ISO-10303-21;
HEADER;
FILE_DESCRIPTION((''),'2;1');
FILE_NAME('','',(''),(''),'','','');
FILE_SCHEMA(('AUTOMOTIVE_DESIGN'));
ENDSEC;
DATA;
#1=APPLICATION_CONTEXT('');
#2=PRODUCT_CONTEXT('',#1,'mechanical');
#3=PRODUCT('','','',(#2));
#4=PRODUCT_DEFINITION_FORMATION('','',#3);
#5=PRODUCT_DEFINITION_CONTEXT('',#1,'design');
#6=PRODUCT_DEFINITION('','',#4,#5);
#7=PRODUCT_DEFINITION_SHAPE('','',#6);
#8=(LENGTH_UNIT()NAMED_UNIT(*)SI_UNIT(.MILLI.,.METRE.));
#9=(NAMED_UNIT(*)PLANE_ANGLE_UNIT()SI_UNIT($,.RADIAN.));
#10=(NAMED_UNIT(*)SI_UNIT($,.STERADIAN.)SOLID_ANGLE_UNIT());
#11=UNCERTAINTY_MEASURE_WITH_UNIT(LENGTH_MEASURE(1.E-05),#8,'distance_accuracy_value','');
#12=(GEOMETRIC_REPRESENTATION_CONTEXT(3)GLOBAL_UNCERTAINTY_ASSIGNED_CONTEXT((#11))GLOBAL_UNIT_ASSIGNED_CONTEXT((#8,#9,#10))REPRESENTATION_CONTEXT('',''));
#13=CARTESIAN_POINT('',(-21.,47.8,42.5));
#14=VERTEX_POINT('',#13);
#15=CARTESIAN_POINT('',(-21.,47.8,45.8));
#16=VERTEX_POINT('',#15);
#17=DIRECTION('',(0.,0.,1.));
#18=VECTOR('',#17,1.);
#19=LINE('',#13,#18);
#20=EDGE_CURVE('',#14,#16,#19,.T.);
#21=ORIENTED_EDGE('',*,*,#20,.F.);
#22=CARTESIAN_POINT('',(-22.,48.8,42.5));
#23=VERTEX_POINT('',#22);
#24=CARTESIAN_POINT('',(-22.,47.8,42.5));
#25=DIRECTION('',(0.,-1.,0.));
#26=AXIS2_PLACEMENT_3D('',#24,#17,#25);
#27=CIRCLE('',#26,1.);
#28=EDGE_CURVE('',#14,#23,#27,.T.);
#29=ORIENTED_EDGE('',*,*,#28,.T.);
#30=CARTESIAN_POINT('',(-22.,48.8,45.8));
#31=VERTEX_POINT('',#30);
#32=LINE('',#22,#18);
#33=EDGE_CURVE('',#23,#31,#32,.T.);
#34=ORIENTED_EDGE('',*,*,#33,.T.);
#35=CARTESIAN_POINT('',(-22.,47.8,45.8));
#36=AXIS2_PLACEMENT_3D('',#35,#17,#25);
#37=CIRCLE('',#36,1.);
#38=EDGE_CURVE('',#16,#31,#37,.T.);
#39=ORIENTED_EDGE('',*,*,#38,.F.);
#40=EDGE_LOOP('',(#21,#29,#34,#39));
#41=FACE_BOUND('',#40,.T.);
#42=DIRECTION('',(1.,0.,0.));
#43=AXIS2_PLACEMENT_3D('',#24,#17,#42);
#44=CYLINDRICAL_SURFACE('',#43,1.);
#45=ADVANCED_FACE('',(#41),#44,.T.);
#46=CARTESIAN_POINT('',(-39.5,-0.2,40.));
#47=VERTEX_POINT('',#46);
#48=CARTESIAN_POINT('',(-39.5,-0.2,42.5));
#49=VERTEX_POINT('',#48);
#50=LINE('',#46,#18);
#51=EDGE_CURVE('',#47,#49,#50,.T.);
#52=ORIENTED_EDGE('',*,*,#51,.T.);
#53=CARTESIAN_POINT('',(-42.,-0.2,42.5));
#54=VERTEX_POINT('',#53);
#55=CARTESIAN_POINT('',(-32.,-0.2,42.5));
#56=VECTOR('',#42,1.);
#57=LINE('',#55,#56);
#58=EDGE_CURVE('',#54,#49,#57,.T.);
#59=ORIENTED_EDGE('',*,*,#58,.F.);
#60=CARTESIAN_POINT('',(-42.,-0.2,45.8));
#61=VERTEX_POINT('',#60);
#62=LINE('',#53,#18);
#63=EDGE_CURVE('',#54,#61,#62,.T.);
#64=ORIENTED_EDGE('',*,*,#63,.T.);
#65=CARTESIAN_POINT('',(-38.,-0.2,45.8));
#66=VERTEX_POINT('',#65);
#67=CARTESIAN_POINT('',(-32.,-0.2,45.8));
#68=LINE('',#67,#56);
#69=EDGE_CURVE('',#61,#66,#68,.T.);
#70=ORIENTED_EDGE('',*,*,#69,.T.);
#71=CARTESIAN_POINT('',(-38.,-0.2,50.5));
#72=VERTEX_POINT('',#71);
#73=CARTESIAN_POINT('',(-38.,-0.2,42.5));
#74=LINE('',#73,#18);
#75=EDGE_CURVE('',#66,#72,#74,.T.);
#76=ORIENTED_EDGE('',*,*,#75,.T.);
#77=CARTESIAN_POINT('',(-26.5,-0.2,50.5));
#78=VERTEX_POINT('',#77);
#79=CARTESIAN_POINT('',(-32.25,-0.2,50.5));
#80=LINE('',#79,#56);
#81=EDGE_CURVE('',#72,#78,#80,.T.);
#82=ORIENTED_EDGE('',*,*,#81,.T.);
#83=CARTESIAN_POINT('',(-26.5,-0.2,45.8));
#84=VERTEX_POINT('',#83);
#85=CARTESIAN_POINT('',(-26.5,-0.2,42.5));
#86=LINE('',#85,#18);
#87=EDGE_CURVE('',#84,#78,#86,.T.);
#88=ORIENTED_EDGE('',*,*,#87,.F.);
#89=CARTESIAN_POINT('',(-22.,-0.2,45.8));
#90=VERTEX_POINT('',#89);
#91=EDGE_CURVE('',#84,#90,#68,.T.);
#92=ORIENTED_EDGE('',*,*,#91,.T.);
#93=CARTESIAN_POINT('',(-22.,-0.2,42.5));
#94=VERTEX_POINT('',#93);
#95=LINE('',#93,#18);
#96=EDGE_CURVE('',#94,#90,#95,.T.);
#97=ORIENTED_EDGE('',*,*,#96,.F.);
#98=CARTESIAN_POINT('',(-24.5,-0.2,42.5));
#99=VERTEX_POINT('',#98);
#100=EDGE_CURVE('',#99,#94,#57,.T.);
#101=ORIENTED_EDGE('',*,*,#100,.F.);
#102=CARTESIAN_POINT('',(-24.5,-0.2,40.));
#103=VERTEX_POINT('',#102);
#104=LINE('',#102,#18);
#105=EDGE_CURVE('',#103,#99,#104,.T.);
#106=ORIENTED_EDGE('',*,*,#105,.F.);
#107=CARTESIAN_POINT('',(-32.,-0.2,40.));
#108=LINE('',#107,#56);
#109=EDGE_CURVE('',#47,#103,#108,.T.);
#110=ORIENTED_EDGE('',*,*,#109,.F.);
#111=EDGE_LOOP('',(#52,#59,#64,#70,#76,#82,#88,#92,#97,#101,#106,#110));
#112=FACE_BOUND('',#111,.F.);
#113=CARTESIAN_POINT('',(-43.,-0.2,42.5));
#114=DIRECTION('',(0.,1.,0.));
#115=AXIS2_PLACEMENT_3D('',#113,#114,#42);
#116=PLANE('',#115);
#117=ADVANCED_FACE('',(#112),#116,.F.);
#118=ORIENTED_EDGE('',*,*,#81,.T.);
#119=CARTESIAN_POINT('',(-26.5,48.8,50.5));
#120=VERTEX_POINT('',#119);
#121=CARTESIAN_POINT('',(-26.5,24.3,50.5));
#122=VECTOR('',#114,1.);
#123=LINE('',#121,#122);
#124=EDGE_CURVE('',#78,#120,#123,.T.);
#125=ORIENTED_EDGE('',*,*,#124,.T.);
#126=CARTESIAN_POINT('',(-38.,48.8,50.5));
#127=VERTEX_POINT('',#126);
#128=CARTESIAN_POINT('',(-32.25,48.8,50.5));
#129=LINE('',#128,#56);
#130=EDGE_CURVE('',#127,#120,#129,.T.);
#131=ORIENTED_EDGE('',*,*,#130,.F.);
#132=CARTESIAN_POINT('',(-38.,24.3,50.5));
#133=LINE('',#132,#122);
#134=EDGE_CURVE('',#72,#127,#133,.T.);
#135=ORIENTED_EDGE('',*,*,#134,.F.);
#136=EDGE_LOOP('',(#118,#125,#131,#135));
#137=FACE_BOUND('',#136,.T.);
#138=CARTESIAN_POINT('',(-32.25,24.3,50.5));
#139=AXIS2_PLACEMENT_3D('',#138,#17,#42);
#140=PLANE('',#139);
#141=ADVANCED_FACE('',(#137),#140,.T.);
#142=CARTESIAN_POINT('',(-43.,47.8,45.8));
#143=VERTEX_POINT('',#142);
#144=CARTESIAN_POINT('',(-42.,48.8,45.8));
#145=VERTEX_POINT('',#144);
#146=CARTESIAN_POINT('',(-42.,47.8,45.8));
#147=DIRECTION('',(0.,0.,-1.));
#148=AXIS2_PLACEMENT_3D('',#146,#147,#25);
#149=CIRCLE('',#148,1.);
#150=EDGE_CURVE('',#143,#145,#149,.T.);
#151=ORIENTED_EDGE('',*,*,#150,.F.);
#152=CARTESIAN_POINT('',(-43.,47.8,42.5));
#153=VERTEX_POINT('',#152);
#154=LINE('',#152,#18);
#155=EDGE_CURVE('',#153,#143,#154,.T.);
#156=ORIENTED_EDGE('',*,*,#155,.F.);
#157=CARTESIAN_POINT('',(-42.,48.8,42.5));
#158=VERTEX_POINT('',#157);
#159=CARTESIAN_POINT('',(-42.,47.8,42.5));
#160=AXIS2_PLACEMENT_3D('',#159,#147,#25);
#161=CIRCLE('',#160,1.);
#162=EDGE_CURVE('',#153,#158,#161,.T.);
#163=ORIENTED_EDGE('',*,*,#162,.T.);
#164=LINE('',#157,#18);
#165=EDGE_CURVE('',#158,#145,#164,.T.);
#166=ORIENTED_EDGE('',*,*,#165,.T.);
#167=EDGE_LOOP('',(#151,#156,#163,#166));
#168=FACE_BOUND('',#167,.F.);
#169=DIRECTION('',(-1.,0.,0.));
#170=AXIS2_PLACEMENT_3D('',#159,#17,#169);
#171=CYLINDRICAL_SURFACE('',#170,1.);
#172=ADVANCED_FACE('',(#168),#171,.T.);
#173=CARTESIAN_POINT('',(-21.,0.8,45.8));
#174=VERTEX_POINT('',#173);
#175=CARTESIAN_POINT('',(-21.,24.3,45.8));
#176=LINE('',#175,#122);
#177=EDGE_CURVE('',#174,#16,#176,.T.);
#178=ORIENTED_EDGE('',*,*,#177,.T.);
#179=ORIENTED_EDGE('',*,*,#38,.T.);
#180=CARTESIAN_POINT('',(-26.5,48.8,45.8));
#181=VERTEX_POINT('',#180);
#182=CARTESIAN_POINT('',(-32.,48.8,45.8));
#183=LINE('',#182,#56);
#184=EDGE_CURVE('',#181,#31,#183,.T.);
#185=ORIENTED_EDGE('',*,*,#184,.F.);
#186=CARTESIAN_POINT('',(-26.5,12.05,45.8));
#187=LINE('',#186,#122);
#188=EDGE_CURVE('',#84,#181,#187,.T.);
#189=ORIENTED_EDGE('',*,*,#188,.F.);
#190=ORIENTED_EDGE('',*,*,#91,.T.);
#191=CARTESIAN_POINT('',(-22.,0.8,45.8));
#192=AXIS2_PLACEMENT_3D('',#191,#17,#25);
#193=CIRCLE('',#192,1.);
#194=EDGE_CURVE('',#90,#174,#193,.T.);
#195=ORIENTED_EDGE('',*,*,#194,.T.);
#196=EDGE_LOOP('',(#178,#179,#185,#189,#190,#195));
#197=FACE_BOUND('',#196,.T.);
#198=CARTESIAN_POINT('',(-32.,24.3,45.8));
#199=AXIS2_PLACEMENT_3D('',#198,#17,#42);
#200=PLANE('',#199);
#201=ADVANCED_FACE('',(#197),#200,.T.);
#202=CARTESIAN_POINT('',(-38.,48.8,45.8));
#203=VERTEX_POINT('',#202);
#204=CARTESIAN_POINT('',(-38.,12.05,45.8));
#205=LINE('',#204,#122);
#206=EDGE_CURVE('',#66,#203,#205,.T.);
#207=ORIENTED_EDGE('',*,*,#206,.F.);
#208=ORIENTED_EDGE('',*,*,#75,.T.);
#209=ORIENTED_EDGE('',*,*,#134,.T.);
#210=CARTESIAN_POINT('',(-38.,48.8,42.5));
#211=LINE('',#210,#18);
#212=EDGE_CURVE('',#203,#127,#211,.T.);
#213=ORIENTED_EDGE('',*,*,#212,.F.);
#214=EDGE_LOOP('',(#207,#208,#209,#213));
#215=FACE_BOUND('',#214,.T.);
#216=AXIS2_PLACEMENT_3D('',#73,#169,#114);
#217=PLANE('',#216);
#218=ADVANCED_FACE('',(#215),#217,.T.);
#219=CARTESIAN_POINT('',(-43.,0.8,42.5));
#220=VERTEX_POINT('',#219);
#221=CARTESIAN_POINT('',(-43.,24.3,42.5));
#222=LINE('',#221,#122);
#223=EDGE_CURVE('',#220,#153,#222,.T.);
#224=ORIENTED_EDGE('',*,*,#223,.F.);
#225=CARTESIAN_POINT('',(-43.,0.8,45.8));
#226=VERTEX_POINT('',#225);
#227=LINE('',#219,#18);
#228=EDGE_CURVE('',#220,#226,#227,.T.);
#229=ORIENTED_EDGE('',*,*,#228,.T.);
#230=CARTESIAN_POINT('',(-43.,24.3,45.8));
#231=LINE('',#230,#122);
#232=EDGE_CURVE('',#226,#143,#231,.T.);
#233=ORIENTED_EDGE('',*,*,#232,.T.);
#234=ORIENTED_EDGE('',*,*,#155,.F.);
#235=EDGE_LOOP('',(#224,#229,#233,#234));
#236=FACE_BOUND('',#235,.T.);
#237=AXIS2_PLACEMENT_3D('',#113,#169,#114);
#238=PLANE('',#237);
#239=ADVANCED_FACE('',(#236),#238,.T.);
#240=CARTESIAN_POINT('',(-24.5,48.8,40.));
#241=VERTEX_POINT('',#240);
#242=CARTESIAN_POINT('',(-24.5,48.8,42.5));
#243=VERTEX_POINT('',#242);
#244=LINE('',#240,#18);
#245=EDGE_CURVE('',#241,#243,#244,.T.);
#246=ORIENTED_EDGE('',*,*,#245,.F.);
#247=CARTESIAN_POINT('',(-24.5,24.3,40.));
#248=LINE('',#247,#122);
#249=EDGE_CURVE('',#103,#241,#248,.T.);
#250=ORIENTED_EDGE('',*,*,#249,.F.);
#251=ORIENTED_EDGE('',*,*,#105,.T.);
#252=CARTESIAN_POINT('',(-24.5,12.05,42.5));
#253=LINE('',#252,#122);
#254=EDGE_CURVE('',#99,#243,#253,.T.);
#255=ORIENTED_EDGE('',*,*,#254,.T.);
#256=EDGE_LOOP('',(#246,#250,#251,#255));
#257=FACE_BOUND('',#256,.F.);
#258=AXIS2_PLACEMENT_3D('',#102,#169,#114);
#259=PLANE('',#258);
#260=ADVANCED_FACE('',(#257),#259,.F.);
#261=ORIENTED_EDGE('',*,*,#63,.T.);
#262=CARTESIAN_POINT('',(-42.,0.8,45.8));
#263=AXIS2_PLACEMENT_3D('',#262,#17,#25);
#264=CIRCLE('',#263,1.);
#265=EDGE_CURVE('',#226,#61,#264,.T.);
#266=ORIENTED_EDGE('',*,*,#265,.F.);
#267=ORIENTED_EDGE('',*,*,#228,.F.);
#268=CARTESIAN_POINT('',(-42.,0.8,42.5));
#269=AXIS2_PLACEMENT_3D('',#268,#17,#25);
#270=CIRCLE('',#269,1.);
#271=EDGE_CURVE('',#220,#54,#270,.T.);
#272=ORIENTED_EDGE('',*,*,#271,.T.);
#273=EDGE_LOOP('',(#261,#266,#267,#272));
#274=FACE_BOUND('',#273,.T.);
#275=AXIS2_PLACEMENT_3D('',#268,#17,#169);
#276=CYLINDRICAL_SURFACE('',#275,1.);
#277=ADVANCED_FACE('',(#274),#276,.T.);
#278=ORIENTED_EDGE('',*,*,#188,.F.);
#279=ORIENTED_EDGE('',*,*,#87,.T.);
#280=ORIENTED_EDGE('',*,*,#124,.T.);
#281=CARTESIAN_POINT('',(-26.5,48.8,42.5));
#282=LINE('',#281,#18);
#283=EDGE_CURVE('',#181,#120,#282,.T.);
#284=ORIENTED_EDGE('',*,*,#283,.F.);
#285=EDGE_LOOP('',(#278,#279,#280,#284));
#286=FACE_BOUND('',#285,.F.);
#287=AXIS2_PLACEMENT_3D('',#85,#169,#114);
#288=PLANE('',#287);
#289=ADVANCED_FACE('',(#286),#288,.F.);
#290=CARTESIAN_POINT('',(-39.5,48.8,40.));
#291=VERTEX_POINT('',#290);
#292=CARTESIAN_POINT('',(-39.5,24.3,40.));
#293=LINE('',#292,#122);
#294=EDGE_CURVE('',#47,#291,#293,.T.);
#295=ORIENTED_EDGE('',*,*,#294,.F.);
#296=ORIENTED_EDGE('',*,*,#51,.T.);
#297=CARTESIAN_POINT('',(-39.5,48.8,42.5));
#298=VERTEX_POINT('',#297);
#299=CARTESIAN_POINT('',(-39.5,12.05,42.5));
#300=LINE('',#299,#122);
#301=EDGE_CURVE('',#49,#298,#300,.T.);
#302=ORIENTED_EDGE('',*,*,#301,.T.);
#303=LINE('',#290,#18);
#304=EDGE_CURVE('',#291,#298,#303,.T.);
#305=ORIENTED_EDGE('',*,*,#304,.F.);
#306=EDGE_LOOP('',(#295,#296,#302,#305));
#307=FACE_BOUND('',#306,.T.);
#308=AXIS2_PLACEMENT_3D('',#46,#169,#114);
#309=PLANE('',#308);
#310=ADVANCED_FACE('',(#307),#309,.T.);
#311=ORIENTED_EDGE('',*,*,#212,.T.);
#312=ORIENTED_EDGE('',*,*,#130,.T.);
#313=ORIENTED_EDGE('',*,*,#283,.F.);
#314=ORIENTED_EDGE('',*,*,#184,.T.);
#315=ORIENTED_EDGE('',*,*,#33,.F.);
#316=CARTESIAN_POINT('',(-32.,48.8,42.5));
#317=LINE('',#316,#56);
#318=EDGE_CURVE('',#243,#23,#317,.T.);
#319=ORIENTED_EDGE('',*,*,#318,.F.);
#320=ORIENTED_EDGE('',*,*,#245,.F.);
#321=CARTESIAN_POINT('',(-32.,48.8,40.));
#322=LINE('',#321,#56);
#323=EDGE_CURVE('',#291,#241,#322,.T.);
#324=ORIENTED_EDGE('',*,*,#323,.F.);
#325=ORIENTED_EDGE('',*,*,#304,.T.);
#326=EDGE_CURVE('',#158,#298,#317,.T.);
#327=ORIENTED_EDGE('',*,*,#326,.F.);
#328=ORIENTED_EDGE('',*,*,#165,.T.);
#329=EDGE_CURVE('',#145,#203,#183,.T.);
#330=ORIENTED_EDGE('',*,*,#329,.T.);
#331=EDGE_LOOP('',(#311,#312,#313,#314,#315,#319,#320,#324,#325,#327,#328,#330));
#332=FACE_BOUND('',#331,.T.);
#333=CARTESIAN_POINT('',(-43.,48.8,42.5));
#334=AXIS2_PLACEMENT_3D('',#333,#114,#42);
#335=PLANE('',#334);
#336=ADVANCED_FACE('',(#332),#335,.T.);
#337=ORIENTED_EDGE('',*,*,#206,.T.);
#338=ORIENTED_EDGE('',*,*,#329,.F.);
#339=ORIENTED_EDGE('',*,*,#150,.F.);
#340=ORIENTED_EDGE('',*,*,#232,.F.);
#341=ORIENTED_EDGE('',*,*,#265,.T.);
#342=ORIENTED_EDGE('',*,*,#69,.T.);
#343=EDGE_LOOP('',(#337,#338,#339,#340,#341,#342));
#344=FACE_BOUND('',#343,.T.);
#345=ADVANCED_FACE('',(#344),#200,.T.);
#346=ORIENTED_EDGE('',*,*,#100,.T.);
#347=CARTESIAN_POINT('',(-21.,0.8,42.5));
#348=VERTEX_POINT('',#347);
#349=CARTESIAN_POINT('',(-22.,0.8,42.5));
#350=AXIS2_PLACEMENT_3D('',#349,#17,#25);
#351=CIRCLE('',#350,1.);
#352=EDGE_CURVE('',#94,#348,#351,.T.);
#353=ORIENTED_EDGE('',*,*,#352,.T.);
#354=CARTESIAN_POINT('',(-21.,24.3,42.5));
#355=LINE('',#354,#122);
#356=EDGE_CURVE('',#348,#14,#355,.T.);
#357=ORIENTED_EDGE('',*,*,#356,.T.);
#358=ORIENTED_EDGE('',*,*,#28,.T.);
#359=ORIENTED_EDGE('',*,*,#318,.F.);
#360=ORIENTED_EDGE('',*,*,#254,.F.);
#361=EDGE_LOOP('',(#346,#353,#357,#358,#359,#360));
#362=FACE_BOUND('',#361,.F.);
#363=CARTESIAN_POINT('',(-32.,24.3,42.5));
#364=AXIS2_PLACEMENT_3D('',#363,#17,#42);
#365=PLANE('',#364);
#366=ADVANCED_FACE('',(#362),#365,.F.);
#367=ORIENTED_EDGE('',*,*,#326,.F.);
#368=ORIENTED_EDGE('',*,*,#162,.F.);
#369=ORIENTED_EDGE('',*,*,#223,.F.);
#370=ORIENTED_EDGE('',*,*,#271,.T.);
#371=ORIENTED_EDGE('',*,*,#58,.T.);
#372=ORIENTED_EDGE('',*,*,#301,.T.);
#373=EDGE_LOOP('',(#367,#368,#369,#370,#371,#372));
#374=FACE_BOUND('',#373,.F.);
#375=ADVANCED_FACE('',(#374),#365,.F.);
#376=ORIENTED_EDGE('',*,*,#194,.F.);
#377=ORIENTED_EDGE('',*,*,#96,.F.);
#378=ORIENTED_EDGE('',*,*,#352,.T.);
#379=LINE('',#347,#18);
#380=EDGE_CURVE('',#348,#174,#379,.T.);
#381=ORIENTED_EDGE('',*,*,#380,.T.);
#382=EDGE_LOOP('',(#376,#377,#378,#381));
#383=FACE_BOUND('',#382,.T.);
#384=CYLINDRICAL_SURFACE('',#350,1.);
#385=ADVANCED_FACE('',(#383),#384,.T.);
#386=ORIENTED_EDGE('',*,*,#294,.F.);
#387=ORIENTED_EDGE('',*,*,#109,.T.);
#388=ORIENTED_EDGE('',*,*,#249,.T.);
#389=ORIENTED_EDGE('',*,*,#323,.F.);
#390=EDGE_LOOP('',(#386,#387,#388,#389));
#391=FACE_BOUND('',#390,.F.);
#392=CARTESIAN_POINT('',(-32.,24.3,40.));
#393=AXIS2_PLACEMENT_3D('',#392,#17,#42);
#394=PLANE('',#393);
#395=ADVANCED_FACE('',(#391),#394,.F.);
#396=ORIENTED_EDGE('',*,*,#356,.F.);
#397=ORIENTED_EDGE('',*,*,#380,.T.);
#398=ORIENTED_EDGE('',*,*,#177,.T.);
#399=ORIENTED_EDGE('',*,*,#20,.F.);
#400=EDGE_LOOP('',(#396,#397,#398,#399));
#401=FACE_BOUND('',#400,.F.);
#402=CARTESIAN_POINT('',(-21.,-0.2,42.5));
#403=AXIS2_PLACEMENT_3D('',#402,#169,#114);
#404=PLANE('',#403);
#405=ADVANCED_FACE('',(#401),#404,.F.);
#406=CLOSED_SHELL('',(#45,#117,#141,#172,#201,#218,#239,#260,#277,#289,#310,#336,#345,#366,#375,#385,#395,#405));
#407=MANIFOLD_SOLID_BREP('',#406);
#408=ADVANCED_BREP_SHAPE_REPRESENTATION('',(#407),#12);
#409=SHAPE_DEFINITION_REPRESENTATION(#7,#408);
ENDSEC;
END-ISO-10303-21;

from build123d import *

# Parameters (mm, degrees)
BOX011_W     = 11.5
BOX011_H     = 49
BOX011_DEPTH = 8
BOX010_W     = 22
BOX010_H     = 49
BOX010_DEPTH = 3.3
FILLET006_R  = 1
BOX012_W     = 15
BOX012_H     = 49
BOX012_DEPTH = 3


with BuildPart() as box011:
    # Box011 → Box011 (new body)
    with BuildSketch(Plane(origin=(-38, -0.2, 84.5), x_dir=(1, 0, 0), z_dir=(0, 0, 1))):
        with Locations((5.75, 24.5)):
            Rectangle(BOX011_W, BOX011_H)
    extrude(amount=BOX011_DEPTH)


with BuildPart() as fillet006:
    # Box010 → Box010 (new body)
    with BuildSketch(Plane(origin=(-43, -0.2, 84.5), x_dir=(1, 0, 0), z_dir=(0, 0, 1))):
        with Locations((11, 24.5)):
            Rectangle(BOX010_W, BOX010_H)
    extrude(amount=BOX010_DEPTH)

    # Fillet006
    fillet006_edges = [fillet006.edges().sort_by_distance(p)[0] for p in [
        (-43, -0.2, 86.15),
        (-43, 48.8, 86.15),
        (-21, -0.2, 86.15),
        (-21, 48.8, 86.15),
    ]]
    fillet(fillet006_edges, radius=FILLET006_R)


with BuildPart() as fusion002007:
    # Box012 → Box012 (new body)
    with BuildSketch(Plane(origin=(-39.5, -0.2, 82), x_dir=(1, 0, 0), z_dir=(0, 0, 1))):
        with Locations((7.5, 24.5)):
            Rectangle(BOX012_W, BOX012_H)
    extrude(amount=BOX012_DEPTH)

    # Fusion002007: union Box011, Fillet006
    add(box011.part)
    add(fillet006.part)


with BuildPart() as fusion002007_1:
    # Fusion002007 placement: moved
    add(fusion002007.part.moved(Location((0, 0, -42))))


solid = fusion002007_1.part
